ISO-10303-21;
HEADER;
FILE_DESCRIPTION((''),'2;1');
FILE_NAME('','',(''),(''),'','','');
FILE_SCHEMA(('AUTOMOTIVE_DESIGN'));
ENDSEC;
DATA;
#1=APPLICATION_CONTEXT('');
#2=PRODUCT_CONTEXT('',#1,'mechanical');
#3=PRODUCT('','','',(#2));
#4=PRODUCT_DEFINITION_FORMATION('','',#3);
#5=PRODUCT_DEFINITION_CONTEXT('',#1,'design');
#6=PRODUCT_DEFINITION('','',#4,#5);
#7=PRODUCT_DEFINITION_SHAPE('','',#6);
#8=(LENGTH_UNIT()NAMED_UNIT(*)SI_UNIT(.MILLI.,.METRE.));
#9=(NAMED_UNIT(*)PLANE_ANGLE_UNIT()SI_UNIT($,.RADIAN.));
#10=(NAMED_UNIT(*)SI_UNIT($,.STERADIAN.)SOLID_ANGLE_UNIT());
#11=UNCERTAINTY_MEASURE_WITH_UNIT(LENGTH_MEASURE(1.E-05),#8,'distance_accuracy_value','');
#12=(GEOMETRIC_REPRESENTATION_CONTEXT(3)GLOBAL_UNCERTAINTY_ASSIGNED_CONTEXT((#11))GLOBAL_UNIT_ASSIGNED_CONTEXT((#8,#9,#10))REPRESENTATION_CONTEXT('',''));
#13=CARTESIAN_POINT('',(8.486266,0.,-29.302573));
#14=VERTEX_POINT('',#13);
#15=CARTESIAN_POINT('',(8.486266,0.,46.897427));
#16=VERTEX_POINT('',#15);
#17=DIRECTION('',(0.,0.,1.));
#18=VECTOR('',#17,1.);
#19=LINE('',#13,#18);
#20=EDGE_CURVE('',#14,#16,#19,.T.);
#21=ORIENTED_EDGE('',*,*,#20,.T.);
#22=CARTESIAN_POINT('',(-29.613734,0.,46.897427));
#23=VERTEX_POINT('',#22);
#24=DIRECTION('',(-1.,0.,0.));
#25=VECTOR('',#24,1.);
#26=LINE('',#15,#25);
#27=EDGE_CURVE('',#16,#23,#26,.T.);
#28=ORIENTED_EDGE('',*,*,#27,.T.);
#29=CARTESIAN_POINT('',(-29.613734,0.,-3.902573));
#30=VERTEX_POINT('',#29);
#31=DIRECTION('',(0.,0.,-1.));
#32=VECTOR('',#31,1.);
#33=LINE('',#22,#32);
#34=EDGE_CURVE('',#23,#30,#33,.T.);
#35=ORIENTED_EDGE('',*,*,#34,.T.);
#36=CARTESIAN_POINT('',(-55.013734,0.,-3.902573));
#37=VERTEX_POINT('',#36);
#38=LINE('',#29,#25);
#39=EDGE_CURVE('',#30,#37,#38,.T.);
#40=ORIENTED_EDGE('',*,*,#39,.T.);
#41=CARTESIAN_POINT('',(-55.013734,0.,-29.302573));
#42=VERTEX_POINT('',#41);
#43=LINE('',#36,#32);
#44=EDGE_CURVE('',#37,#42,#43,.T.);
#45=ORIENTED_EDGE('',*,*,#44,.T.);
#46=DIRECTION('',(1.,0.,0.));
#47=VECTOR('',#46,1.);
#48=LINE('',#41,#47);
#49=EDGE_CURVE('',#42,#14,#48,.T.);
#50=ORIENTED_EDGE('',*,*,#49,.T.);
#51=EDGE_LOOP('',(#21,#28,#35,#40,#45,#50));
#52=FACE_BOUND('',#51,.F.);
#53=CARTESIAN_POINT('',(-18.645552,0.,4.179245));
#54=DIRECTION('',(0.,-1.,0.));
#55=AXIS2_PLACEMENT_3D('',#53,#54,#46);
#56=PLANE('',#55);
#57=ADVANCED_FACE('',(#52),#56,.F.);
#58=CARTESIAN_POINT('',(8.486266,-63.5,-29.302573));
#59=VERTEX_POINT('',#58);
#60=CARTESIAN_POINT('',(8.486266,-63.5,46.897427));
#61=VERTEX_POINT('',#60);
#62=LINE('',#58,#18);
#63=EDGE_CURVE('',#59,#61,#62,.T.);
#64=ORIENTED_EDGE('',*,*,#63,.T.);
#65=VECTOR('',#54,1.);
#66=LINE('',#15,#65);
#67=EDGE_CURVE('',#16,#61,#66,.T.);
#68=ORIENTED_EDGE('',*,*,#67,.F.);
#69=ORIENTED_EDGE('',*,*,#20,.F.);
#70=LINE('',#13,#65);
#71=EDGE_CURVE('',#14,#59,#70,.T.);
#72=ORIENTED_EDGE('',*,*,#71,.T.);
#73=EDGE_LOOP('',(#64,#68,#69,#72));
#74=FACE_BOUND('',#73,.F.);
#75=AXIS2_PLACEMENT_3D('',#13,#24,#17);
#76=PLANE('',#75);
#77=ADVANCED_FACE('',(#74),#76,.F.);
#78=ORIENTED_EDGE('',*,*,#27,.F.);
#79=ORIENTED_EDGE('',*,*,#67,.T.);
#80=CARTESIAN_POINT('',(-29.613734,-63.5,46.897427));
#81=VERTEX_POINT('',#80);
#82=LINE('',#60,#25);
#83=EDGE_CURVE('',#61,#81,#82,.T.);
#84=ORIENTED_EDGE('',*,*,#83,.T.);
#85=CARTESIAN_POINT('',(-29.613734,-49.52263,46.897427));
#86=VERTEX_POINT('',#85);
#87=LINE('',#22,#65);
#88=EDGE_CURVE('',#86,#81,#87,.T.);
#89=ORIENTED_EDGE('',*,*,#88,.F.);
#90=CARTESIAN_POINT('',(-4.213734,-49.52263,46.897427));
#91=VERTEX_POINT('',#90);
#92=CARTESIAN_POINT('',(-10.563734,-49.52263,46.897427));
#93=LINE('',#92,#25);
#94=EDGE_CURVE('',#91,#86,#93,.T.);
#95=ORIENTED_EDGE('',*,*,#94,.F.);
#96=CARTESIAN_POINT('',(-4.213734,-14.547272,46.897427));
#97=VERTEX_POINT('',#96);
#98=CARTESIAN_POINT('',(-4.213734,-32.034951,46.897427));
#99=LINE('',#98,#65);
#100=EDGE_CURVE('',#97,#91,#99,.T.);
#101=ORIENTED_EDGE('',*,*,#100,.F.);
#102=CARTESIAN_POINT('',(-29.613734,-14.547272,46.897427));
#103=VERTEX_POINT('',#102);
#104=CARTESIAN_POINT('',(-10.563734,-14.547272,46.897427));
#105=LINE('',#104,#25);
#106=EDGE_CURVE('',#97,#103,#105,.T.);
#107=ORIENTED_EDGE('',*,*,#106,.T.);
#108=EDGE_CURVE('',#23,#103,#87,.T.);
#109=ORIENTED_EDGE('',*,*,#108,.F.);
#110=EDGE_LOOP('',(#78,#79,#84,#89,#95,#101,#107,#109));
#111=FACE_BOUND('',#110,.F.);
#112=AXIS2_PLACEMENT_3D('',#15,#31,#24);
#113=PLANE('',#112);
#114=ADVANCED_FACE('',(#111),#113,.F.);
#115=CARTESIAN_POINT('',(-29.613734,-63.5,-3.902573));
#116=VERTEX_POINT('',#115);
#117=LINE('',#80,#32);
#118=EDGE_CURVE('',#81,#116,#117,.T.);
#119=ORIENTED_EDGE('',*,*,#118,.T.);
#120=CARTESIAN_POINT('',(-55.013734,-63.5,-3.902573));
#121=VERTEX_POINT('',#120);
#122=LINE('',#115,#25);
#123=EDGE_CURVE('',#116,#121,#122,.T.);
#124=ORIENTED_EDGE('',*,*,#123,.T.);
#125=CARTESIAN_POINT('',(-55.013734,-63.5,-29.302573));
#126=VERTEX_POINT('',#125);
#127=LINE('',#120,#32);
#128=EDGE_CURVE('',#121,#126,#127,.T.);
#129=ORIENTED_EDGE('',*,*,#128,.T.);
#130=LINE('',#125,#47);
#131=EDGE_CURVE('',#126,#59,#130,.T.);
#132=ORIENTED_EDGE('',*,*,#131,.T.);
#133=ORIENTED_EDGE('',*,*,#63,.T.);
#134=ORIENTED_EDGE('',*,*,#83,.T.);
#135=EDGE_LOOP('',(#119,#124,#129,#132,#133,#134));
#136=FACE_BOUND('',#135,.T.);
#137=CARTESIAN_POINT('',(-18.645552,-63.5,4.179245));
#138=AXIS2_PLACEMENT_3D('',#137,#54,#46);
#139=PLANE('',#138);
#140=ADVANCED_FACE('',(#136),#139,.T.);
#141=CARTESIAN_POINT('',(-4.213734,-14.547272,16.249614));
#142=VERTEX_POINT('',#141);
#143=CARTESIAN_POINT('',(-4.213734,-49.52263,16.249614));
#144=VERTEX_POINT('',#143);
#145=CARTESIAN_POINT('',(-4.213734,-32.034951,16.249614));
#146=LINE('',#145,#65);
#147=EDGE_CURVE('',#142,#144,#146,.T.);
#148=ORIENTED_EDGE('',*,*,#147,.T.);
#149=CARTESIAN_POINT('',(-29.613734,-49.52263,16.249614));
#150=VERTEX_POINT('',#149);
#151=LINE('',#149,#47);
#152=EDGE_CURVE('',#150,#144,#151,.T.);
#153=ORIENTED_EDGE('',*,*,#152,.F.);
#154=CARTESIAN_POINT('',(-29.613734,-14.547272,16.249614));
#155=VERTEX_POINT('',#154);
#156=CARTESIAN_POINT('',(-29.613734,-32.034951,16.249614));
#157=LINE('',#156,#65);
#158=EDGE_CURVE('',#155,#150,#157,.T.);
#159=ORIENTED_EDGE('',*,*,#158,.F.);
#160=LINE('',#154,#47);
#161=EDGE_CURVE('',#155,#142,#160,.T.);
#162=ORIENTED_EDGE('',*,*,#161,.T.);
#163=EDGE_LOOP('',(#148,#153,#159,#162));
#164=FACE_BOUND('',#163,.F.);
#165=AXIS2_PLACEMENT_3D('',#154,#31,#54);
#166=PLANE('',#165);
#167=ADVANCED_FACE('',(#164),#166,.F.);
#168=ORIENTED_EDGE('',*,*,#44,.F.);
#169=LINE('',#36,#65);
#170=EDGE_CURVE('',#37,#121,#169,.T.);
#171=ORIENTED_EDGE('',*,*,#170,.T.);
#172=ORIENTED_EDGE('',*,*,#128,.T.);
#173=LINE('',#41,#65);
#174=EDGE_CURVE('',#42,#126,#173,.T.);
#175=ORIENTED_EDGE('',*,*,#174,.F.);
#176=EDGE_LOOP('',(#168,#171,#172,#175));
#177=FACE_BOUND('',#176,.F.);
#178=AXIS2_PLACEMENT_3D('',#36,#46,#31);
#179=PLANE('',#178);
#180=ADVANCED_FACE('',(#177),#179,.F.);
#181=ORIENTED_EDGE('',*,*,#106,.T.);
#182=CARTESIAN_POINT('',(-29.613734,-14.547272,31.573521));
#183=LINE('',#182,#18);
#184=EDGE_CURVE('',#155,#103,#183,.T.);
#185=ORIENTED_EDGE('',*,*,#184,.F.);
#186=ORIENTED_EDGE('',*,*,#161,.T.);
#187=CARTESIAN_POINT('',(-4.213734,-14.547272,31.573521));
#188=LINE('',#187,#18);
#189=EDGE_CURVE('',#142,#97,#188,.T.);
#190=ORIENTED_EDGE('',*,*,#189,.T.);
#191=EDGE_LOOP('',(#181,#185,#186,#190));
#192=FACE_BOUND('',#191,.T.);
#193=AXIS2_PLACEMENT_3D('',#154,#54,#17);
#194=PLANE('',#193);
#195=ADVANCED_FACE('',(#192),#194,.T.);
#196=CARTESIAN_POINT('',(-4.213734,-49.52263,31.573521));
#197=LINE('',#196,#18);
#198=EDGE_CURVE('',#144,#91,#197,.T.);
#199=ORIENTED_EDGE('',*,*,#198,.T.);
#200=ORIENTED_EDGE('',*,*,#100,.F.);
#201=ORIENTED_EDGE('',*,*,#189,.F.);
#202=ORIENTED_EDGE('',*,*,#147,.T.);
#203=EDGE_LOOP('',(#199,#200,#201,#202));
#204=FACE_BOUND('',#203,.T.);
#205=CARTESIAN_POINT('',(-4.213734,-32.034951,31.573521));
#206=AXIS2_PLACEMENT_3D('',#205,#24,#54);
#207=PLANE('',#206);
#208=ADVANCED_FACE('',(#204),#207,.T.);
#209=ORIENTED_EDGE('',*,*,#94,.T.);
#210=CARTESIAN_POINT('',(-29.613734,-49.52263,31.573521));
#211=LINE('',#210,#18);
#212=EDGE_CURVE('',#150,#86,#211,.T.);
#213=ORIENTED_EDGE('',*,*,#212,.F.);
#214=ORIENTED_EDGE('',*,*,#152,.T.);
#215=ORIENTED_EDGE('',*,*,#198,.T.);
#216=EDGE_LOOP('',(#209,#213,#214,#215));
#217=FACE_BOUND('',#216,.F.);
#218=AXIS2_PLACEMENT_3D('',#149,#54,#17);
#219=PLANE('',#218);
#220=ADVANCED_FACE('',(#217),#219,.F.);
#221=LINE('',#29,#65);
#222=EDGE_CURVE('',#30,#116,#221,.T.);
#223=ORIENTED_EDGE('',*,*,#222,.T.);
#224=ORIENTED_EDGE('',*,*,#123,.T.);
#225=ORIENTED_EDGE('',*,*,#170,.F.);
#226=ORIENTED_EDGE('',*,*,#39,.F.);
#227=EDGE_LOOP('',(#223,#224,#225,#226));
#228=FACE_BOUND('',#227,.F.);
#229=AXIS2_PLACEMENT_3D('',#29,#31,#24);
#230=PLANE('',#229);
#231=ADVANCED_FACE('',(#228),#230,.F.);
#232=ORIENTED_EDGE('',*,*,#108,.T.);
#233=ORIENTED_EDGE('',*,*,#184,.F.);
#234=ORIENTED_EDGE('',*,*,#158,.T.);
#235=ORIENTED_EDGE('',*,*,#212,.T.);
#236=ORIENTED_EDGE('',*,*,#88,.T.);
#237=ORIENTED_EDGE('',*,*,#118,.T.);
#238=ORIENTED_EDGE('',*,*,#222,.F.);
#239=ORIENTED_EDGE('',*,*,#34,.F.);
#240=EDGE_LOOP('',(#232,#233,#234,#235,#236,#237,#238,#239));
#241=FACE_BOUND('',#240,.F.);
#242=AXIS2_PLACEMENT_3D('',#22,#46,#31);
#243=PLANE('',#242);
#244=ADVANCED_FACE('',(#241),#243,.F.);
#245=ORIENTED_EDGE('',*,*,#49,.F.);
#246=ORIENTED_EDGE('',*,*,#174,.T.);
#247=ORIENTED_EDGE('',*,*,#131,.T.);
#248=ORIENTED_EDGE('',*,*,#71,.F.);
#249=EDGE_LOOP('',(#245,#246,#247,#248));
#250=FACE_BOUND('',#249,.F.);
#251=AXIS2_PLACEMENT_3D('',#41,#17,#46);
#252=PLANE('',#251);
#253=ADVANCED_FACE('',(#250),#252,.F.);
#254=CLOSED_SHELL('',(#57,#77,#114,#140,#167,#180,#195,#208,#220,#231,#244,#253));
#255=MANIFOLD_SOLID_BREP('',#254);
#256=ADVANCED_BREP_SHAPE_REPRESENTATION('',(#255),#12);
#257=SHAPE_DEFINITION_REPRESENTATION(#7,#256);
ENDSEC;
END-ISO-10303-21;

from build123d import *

# Parameters (mm, degrees)
F1_DEPTH = 63.5
F2_W     = 34.975359
F2_H     = 30.647813
F3_DEPTH = 25.4


with BuildPart() as f1:
    # F0 (on Front) → F1 (new body)
    with BuildSketch(Plane.XZ):
        Polygon((-55.013734, -3.902573), (-55.013734, -29.302573), (8.486266, -29.302573), (8.486266, 46.897427), (-29.613734, 46.897427), (-29.613734, -3.902573), align=None)
    extrude(amount=F1_DEPTH)

    # F2 (on face) → F3 (cut)
    with BuildSketch(Plane(origin=(-29.613734, 0, 0), x_dir=(0, -1, 0), z_dir=(-1, 0, 0))):
        with Locations((32.034951, 31.573521)):
            Rectangle(F2_W, F2_H)
    extrude(amount=-F3_DEPTH, mode=Mode.SUBTRACT)


solid = f1.part
